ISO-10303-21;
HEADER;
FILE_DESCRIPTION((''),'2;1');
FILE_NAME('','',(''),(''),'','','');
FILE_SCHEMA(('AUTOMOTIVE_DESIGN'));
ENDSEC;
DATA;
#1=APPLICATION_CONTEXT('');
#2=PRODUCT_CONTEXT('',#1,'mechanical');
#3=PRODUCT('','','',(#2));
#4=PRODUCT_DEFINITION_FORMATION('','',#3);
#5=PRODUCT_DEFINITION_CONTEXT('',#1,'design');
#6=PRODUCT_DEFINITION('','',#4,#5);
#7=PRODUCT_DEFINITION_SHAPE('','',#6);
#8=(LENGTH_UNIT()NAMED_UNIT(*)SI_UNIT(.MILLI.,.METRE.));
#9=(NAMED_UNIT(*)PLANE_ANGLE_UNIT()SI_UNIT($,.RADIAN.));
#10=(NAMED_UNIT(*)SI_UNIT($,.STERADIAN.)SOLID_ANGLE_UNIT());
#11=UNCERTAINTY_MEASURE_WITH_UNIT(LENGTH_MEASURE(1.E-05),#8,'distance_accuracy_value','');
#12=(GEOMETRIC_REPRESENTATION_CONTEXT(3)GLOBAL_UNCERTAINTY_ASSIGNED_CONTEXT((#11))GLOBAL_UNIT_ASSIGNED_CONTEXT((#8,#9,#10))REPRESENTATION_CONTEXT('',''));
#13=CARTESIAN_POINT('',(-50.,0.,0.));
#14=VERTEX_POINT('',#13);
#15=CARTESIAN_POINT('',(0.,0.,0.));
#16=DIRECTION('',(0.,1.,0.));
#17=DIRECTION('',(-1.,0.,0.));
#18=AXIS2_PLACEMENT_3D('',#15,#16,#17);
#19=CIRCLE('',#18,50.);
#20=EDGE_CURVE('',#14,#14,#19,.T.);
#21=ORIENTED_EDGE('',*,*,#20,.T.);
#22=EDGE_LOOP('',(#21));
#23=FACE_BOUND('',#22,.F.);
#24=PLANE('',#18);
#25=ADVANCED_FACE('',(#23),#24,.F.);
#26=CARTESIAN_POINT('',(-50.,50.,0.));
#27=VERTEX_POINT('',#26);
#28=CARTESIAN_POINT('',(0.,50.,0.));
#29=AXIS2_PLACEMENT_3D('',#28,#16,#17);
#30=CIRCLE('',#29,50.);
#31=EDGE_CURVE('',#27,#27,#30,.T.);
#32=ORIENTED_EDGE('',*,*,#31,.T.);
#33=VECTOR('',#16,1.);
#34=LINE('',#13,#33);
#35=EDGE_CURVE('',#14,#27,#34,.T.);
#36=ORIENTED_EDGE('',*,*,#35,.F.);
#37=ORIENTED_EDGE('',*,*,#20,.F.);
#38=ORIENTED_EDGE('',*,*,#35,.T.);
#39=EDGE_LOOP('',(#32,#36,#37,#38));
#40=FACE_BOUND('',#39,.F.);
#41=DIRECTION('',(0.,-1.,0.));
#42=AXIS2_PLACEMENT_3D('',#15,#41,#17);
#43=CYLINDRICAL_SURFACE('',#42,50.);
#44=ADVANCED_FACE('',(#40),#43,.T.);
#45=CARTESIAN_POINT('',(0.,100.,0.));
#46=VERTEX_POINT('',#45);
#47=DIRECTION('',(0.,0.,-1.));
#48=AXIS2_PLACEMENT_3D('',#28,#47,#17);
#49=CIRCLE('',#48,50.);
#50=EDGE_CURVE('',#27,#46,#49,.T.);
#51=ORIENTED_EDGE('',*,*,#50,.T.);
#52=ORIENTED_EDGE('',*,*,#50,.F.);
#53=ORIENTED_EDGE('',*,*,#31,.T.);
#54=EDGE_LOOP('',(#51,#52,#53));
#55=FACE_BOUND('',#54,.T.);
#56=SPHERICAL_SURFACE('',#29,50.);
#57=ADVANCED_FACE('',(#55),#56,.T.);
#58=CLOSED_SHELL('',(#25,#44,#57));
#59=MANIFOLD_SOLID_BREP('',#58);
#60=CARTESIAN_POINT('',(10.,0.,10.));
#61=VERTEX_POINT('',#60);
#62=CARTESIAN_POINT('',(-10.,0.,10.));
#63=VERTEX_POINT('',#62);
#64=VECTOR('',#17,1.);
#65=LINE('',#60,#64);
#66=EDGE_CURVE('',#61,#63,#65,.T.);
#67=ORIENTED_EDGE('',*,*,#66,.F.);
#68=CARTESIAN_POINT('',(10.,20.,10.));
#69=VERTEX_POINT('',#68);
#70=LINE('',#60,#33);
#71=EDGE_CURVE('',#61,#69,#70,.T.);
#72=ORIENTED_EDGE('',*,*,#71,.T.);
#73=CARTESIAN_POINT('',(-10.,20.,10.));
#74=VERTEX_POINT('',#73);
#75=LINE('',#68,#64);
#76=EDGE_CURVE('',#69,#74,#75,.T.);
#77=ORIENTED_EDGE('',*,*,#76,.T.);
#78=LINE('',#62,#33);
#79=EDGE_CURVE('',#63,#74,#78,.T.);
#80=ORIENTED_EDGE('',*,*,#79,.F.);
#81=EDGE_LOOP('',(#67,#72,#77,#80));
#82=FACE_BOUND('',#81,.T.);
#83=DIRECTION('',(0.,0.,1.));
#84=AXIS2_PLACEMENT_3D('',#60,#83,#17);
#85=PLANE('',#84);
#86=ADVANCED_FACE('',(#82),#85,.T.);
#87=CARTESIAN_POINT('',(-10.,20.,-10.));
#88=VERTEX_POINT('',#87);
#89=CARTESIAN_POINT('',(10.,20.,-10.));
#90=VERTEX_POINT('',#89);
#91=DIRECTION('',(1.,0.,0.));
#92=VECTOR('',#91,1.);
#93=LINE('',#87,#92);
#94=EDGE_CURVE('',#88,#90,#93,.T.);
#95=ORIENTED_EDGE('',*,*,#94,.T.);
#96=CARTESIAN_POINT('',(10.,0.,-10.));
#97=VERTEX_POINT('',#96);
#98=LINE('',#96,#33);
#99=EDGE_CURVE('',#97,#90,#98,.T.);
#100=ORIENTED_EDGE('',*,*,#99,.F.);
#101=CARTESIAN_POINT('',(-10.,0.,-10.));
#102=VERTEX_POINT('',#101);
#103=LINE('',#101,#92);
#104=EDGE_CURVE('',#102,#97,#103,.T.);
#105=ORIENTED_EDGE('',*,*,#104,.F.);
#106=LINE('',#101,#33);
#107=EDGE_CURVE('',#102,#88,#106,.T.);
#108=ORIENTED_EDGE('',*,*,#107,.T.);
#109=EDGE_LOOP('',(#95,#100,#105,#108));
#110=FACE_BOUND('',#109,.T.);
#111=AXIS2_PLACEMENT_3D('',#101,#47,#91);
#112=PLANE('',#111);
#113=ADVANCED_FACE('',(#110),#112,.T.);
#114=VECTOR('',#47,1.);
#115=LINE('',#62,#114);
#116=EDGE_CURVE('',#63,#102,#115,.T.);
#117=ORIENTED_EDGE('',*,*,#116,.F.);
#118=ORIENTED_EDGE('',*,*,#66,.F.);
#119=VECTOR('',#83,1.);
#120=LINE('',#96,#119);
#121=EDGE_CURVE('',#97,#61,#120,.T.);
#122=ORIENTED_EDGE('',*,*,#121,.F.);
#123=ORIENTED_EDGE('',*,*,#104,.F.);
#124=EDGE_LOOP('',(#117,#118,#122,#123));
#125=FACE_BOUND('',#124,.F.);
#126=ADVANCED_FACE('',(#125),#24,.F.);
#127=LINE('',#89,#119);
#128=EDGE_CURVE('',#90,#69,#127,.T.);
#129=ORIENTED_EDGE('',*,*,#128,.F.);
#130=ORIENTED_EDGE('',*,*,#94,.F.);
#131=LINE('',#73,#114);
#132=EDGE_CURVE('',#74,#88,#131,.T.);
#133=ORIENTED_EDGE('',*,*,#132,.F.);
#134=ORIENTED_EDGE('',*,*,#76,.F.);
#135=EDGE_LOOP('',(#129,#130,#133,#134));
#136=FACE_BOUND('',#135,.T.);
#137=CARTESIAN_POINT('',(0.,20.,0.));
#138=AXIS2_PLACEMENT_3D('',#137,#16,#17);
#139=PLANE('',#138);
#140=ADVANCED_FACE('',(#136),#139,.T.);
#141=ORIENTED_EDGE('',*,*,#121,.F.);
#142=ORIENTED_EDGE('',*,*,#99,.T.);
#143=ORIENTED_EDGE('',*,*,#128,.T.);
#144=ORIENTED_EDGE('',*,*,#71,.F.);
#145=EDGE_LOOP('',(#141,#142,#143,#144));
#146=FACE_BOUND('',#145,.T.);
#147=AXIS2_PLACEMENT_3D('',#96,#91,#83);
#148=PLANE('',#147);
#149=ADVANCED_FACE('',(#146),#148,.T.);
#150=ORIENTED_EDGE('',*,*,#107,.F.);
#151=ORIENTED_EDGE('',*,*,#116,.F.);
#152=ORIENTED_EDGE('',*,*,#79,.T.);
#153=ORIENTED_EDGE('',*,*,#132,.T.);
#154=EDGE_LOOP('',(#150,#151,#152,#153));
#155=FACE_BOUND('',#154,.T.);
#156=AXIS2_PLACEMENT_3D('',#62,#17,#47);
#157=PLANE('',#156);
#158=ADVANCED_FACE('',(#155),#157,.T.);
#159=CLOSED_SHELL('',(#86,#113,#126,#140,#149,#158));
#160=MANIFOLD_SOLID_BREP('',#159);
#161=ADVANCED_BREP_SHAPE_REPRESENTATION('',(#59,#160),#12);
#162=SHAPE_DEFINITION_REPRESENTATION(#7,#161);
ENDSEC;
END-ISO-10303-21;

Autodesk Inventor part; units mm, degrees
ref_plane "YZ Plane" through (0, 0, 0) normal (1, 0, 0) x (0, 1, 0)
ref_plane "XZ Plane" through (0, 0, 0) normal (0, 1, 0) x (-1, 0, 0)
ref_plane "XY Plane" through (0, 0, 0) normal (0, 0, 1) x (1, 0, 0)
sketch "Sketch1" plane through (0, 0, 0) normal (0, 1, 0) x (-1, 0, 0)
  line L0 (-10, 10) -> (10, 10)
  line L1 (10, 10) -> (10, -10)
  line L2 (10, -10) -> (-10, -10)
  line L3 (-10, -10) -> (-10, 10)
  line L4 (-10, 10) -> (10, -10) construction
  line L5 (10, 10) -> (-10, -10) construction
  point P0 (0, 0)
  dimension "d6" = 20
  dimension "d7" = 20
extrude "Extrusion1" add sketch "Sketch1" along normal blind 20
sketch "Sketch2" plane through (0, 0, 0) normal (0, 1, 0) x (-1, 0, 0)
  circle A0 centre (0, 0) radius 50
  dimension "d8" = 100
extrude "Extrusion2" add sketch "Sketch2" along normal blind 100 separate body
fillet "Fillet1" radius 50 1 edges at (50, 100, 0)
equation "\"d1\" = d7"
equation "\"d9\" = d8"
equation "\"d11\" = 0.5 * d8"
properties part number "shore-A-test-block"
